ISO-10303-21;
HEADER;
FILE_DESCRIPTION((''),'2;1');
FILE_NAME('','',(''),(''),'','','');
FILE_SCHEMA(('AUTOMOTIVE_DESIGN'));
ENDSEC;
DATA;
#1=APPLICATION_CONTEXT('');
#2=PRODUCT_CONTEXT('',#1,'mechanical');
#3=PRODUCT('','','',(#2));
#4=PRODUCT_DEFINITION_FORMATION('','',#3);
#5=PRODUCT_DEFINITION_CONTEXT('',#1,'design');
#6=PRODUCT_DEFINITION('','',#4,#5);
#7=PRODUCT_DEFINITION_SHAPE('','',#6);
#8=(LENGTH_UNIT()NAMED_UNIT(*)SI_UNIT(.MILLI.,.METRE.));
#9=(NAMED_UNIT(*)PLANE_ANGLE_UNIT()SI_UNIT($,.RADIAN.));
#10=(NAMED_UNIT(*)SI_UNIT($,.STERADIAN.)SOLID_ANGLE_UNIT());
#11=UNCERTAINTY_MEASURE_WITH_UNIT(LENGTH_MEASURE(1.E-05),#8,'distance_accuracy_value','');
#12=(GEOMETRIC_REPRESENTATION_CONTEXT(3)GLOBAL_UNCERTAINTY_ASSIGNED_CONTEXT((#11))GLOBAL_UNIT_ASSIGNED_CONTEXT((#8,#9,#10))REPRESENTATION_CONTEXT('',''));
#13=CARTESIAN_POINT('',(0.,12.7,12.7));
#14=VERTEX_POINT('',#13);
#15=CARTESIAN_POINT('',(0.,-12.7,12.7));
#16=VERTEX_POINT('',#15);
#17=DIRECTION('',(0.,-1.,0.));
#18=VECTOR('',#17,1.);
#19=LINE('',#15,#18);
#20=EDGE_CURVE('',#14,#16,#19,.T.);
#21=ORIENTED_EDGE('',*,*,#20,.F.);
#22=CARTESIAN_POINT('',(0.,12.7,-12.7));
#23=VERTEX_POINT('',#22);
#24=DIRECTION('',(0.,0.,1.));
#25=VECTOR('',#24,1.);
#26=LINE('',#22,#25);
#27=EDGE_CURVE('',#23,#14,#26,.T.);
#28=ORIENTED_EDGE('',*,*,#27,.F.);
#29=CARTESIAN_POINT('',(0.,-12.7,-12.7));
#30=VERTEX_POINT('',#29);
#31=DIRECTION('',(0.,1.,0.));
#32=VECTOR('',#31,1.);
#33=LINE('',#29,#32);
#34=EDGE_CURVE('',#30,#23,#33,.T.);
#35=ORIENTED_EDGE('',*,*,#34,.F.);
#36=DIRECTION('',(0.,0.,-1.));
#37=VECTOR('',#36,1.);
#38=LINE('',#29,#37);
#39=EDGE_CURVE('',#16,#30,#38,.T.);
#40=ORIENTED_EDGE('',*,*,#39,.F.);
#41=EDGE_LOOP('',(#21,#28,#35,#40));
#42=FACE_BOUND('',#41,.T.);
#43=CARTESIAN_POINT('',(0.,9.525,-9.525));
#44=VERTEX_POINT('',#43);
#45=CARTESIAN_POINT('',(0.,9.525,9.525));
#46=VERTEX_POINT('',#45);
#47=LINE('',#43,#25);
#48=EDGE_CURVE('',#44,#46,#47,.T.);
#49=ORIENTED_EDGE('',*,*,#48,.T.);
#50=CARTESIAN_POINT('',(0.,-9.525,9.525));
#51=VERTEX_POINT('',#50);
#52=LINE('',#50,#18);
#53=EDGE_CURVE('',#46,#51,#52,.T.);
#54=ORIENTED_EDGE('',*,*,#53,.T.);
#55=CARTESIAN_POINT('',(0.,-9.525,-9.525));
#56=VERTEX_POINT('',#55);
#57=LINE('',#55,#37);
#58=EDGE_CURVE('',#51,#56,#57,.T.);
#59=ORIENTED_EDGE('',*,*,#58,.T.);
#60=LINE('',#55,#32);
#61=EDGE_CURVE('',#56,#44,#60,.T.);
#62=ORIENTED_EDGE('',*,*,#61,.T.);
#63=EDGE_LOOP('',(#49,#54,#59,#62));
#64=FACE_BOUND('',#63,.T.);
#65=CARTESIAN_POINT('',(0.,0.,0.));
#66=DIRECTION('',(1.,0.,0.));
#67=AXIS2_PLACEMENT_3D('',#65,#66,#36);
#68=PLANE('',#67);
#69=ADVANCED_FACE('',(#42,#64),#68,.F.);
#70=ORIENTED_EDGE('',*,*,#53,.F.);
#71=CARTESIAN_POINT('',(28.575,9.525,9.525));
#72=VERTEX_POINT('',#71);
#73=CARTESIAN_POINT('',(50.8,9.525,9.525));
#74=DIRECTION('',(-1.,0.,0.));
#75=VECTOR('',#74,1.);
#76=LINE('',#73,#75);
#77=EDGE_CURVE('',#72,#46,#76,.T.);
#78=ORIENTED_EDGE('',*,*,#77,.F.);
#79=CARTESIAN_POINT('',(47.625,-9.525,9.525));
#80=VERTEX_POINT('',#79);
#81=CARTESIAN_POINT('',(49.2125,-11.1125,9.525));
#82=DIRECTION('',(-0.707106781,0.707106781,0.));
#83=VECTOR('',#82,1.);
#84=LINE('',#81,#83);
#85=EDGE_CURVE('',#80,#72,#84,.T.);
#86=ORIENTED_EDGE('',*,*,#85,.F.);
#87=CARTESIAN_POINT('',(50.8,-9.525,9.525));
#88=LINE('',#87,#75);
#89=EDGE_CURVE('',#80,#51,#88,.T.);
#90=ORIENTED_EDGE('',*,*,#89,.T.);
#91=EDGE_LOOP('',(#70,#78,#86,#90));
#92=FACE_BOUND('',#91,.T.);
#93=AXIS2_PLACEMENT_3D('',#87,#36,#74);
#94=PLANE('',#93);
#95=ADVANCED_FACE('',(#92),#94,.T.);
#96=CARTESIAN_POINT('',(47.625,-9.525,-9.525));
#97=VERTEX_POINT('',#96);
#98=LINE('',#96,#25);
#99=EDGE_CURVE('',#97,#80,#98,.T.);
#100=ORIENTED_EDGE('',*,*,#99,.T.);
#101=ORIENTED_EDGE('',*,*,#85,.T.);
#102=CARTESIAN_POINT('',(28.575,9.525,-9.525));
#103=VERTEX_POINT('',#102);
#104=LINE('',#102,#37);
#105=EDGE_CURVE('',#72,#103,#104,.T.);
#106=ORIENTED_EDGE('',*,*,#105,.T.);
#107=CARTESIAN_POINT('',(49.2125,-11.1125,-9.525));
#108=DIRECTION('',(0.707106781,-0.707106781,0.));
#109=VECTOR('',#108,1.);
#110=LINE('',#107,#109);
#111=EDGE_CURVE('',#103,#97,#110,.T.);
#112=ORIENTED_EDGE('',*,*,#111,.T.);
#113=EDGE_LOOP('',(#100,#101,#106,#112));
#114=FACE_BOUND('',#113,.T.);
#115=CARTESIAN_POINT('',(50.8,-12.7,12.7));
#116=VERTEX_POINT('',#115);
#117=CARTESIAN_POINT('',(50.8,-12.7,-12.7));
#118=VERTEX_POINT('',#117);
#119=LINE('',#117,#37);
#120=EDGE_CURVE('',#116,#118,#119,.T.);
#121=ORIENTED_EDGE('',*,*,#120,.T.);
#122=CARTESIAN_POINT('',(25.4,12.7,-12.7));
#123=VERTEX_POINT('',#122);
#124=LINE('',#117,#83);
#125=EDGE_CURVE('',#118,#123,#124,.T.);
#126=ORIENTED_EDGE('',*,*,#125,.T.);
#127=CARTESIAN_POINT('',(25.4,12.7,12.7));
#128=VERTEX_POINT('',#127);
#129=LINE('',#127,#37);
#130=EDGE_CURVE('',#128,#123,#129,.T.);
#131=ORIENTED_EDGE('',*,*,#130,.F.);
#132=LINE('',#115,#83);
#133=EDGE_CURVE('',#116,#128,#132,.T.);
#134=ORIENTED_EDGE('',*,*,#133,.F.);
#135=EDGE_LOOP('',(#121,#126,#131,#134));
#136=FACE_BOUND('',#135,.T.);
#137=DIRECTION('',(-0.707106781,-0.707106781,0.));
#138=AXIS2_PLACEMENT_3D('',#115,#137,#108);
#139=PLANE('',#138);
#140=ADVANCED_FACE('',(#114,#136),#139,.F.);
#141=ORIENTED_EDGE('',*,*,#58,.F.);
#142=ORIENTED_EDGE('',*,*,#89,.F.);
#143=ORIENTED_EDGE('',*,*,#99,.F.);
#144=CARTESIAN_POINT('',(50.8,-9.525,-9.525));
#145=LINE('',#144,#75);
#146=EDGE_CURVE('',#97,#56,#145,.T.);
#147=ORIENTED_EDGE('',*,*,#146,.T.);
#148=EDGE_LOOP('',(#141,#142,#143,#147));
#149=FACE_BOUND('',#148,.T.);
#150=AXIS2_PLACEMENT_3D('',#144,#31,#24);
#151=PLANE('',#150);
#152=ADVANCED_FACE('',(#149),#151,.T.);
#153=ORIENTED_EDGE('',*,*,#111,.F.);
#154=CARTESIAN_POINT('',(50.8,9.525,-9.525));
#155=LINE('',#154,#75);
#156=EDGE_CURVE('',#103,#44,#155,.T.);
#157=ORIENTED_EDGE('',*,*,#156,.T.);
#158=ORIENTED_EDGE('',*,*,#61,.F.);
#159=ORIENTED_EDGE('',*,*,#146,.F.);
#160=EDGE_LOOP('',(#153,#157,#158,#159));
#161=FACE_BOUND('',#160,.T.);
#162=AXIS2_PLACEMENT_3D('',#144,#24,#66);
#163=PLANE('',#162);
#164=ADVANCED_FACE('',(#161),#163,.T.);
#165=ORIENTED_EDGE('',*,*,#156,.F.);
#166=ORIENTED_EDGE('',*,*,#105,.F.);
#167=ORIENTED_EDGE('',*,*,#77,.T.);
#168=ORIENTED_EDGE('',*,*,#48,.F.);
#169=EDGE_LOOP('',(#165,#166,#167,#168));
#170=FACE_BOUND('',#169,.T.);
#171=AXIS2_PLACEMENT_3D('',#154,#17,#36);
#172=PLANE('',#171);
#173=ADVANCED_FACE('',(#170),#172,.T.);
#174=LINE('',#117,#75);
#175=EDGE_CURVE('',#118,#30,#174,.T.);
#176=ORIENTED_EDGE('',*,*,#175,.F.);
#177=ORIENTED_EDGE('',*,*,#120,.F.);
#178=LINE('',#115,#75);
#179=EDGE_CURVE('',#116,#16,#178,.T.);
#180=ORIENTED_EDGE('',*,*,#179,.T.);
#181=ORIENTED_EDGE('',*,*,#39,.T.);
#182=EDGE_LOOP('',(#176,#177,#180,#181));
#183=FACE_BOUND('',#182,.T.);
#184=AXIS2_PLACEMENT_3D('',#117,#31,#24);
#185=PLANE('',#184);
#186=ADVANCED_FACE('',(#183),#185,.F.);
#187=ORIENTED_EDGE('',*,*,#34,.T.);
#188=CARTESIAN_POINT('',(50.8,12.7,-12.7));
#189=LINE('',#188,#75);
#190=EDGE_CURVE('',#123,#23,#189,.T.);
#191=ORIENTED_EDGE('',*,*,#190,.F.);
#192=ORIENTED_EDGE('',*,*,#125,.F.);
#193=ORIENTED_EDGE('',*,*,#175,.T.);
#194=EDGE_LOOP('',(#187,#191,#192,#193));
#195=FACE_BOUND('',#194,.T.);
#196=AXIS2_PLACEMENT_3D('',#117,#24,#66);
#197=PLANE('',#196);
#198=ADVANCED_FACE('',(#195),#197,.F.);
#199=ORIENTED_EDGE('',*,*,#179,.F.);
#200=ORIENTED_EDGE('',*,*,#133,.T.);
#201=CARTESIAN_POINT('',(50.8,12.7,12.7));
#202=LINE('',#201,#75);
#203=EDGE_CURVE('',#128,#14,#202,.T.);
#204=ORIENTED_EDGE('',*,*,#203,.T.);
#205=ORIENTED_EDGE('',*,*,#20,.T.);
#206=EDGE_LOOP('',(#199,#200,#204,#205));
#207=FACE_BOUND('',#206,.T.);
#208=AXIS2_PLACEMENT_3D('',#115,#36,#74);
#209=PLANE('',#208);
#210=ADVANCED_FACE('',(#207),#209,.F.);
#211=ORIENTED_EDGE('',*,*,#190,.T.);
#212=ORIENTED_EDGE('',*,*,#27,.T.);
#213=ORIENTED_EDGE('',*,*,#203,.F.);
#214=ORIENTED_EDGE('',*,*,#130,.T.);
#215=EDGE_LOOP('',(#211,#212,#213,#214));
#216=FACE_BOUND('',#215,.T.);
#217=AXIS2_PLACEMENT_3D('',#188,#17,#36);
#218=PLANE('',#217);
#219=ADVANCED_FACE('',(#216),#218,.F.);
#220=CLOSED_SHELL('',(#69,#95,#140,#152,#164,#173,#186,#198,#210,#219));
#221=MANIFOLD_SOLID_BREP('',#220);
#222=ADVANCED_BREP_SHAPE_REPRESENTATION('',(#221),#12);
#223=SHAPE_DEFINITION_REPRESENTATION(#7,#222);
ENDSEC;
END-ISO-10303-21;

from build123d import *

# Parameters (mm, degrees)
SKETCH1_W           = 25.4
SKETCH1_H           = 25.4
SKETCH1_W_2         = 19.05
SKETCH1_H_2         = 19.05
BOSS_EXTRUDE1_DEPTH = 50.8
CUT_EXTRUDE1_DEPTH  = 26.4


with BuildPart() as part:
    # Sketch1 → Boss-Extrude1 (new body)
    with BuildSketch(Plane(origin=(0, 0, 0), x_dir=(0, 0, -1), z_dir=(1, 0, 0))):
        Rectangle(SKETCH1_W, SKETCH1_H)
        Rectangle(SKETCH1_W_2, SKETCH1_H_2, mode=Mode.SUBTRACT)
    extrude(amount=BOSS_EXTRUDE1_DEPTH)

    # Sketch2 → Cut-Extrude1 (cut, through all)
    with BuildSketch(Plane(origin=(0, 0, -12.7), x_dir=(-1, 0, 0), z_dir=(0, 0, -1))):
        Polygon((-50.8, -12.7), (-25.4, 12.7), (-50.8, 12.7), align=None)
    extrude(amount=-CUT_EXTRUDE1_DEPTH, mode=Mode.SUBTRACT)


solid = part.part
